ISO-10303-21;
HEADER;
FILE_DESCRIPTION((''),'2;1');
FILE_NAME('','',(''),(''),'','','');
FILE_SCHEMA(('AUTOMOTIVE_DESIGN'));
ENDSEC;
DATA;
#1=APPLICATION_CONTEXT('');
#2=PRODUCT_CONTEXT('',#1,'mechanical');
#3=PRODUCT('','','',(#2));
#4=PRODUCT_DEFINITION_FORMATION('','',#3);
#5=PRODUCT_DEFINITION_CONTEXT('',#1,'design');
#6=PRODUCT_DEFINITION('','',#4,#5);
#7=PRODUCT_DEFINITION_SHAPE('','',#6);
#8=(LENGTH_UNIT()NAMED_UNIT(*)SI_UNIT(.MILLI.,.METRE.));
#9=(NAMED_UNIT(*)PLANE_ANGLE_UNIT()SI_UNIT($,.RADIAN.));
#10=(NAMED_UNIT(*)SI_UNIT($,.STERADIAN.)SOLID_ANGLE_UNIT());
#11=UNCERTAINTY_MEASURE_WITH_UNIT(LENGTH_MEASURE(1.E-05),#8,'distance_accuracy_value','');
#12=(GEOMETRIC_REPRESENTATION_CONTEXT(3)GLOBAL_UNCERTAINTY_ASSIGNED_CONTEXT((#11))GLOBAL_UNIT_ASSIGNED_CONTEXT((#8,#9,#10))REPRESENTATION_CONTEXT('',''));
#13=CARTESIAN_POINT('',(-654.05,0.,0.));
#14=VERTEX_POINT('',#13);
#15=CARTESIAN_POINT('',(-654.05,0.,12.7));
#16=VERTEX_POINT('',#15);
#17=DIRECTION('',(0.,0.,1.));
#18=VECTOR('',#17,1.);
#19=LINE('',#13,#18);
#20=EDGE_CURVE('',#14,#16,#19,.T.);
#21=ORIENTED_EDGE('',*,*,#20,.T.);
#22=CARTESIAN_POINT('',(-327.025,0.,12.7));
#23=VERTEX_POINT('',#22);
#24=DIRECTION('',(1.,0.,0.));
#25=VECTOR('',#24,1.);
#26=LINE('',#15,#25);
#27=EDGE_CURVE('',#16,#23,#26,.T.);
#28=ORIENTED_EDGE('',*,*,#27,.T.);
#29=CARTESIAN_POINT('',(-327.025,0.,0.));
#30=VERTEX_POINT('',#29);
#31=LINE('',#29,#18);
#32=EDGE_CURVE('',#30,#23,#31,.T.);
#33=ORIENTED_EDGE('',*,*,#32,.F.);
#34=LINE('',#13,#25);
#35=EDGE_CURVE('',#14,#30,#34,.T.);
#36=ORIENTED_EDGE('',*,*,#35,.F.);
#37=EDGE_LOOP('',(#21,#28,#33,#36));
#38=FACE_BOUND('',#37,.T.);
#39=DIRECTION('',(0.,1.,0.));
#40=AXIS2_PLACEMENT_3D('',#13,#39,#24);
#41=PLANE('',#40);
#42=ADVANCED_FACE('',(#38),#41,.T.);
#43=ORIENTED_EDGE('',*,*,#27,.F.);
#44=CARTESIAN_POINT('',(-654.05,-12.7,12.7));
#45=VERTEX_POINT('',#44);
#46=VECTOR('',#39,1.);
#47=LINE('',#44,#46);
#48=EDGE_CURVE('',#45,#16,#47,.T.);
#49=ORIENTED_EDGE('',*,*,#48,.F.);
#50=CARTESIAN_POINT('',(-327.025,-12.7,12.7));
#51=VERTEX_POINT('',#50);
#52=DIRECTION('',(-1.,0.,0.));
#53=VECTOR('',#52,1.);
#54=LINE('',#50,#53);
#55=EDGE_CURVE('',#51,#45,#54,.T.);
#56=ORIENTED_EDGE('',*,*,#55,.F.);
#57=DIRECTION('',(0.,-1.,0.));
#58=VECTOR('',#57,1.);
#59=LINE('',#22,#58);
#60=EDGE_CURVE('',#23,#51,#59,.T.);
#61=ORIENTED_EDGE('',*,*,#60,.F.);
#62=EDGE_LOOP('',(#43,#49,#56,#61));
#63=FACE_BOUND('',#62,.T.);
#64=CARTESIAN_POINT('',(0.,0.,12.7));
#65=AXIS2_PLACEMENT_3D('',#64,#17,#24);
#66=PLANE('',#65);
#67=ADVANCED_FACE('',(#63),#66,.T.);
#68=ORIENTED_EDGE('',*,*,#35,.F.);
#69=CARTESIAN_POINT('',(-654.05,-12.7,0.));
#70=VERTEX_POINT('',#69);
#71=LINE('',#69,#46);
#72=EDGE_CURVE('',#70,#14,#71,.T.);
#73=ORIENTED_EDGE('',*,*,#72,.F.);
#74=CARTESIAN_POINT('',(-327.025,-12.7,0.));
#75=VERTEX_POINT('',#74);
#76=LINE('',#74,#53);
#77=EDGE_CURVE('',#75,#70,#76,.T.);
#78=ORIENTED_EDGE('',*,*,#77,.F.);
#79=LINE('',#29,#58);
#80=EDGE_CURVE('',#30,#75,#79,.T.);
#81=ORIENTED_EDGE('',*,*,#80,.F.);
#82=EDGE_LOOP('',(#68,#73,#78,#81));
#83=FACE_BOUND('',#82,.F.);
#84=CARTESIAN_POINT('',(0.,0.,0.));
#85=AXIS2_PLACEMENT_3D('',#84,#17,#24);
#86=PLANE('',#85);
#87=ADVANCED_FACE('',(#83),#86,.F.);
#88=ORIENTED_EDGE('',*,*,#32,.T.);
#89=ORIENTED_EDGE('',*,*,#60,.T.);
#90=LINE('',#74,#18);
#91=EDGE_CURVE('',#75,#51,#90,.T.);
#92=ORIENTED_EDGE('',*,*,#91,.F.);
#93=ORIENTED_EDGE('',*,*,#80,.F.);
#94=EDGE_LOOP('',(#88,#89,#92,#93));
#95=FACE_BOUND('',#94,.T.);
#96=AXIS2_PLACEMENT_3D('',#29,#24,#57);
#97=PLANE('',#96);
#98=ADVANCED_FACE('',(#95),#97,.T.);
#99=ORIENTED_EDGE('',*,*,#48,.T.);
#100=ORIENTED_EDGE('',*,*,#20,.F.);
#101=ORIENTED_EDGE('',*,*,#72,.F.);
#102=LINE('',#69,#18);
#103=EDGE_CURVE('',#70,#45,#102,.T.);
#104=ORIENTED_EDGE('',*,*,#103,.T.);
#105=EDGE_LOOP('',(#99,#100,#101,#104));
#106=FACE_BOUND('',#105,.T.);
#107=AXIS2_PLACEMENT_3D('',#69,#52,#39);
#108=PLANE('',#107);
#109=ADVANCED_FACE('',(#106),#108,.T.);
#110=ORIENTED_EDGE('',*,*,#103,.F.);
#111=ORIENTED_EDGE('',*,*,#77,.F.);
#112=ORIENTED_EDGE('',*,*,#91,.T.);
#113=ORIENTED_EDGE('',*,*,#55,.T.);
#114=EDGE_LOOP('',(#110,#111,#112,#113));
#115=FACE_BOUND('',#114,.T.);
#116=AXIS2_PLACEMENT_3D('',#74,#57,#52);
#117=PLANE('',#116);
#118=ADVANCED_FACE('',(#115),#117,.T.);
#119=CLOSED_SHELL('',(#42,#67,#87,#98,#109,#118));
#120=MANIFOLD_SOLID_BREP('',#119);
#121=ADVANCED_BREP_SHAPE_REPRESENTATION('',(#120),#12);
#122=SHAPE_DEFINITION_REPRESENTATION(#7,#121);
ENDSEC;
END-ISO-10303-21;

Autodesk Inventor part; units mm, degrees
ref_plane "YZ Plane" through (0, 0, 0) normal (1, 0, 0) x (0, 1, 0)
ref_plane "XZ Plane" through (0, 0, 0) normal (0, 1, 0) x (-1, 0, 0)
ref_plane "XY Plane" through (0, 0, 0) normal (0, 0, 1) x (1, 0, 0)
ref_plane "Work Plane1" through (0, 0, 0) normal (0, 0, 1) x (1, 0, 0)
sketch "Sketch1" plane through (0, 0, 0) normal (0, 0, 1) x (1, 0, 0)
  line L0 (-654.05, 0) -> (-327.025, 0)
  line L1 (-327.025, 0) -> (-327.025, -12.7)
  line L2 (-327.025, -12.7) -> (-654.05, -12.7)
  line L3 (-654.05, -12.7) -> (-654.05, 0)
  point P0 (0, 0)
extrude "Extrusion1" add sketch "Sketch1" along normal blind 12.7
properties part number "uv2"
